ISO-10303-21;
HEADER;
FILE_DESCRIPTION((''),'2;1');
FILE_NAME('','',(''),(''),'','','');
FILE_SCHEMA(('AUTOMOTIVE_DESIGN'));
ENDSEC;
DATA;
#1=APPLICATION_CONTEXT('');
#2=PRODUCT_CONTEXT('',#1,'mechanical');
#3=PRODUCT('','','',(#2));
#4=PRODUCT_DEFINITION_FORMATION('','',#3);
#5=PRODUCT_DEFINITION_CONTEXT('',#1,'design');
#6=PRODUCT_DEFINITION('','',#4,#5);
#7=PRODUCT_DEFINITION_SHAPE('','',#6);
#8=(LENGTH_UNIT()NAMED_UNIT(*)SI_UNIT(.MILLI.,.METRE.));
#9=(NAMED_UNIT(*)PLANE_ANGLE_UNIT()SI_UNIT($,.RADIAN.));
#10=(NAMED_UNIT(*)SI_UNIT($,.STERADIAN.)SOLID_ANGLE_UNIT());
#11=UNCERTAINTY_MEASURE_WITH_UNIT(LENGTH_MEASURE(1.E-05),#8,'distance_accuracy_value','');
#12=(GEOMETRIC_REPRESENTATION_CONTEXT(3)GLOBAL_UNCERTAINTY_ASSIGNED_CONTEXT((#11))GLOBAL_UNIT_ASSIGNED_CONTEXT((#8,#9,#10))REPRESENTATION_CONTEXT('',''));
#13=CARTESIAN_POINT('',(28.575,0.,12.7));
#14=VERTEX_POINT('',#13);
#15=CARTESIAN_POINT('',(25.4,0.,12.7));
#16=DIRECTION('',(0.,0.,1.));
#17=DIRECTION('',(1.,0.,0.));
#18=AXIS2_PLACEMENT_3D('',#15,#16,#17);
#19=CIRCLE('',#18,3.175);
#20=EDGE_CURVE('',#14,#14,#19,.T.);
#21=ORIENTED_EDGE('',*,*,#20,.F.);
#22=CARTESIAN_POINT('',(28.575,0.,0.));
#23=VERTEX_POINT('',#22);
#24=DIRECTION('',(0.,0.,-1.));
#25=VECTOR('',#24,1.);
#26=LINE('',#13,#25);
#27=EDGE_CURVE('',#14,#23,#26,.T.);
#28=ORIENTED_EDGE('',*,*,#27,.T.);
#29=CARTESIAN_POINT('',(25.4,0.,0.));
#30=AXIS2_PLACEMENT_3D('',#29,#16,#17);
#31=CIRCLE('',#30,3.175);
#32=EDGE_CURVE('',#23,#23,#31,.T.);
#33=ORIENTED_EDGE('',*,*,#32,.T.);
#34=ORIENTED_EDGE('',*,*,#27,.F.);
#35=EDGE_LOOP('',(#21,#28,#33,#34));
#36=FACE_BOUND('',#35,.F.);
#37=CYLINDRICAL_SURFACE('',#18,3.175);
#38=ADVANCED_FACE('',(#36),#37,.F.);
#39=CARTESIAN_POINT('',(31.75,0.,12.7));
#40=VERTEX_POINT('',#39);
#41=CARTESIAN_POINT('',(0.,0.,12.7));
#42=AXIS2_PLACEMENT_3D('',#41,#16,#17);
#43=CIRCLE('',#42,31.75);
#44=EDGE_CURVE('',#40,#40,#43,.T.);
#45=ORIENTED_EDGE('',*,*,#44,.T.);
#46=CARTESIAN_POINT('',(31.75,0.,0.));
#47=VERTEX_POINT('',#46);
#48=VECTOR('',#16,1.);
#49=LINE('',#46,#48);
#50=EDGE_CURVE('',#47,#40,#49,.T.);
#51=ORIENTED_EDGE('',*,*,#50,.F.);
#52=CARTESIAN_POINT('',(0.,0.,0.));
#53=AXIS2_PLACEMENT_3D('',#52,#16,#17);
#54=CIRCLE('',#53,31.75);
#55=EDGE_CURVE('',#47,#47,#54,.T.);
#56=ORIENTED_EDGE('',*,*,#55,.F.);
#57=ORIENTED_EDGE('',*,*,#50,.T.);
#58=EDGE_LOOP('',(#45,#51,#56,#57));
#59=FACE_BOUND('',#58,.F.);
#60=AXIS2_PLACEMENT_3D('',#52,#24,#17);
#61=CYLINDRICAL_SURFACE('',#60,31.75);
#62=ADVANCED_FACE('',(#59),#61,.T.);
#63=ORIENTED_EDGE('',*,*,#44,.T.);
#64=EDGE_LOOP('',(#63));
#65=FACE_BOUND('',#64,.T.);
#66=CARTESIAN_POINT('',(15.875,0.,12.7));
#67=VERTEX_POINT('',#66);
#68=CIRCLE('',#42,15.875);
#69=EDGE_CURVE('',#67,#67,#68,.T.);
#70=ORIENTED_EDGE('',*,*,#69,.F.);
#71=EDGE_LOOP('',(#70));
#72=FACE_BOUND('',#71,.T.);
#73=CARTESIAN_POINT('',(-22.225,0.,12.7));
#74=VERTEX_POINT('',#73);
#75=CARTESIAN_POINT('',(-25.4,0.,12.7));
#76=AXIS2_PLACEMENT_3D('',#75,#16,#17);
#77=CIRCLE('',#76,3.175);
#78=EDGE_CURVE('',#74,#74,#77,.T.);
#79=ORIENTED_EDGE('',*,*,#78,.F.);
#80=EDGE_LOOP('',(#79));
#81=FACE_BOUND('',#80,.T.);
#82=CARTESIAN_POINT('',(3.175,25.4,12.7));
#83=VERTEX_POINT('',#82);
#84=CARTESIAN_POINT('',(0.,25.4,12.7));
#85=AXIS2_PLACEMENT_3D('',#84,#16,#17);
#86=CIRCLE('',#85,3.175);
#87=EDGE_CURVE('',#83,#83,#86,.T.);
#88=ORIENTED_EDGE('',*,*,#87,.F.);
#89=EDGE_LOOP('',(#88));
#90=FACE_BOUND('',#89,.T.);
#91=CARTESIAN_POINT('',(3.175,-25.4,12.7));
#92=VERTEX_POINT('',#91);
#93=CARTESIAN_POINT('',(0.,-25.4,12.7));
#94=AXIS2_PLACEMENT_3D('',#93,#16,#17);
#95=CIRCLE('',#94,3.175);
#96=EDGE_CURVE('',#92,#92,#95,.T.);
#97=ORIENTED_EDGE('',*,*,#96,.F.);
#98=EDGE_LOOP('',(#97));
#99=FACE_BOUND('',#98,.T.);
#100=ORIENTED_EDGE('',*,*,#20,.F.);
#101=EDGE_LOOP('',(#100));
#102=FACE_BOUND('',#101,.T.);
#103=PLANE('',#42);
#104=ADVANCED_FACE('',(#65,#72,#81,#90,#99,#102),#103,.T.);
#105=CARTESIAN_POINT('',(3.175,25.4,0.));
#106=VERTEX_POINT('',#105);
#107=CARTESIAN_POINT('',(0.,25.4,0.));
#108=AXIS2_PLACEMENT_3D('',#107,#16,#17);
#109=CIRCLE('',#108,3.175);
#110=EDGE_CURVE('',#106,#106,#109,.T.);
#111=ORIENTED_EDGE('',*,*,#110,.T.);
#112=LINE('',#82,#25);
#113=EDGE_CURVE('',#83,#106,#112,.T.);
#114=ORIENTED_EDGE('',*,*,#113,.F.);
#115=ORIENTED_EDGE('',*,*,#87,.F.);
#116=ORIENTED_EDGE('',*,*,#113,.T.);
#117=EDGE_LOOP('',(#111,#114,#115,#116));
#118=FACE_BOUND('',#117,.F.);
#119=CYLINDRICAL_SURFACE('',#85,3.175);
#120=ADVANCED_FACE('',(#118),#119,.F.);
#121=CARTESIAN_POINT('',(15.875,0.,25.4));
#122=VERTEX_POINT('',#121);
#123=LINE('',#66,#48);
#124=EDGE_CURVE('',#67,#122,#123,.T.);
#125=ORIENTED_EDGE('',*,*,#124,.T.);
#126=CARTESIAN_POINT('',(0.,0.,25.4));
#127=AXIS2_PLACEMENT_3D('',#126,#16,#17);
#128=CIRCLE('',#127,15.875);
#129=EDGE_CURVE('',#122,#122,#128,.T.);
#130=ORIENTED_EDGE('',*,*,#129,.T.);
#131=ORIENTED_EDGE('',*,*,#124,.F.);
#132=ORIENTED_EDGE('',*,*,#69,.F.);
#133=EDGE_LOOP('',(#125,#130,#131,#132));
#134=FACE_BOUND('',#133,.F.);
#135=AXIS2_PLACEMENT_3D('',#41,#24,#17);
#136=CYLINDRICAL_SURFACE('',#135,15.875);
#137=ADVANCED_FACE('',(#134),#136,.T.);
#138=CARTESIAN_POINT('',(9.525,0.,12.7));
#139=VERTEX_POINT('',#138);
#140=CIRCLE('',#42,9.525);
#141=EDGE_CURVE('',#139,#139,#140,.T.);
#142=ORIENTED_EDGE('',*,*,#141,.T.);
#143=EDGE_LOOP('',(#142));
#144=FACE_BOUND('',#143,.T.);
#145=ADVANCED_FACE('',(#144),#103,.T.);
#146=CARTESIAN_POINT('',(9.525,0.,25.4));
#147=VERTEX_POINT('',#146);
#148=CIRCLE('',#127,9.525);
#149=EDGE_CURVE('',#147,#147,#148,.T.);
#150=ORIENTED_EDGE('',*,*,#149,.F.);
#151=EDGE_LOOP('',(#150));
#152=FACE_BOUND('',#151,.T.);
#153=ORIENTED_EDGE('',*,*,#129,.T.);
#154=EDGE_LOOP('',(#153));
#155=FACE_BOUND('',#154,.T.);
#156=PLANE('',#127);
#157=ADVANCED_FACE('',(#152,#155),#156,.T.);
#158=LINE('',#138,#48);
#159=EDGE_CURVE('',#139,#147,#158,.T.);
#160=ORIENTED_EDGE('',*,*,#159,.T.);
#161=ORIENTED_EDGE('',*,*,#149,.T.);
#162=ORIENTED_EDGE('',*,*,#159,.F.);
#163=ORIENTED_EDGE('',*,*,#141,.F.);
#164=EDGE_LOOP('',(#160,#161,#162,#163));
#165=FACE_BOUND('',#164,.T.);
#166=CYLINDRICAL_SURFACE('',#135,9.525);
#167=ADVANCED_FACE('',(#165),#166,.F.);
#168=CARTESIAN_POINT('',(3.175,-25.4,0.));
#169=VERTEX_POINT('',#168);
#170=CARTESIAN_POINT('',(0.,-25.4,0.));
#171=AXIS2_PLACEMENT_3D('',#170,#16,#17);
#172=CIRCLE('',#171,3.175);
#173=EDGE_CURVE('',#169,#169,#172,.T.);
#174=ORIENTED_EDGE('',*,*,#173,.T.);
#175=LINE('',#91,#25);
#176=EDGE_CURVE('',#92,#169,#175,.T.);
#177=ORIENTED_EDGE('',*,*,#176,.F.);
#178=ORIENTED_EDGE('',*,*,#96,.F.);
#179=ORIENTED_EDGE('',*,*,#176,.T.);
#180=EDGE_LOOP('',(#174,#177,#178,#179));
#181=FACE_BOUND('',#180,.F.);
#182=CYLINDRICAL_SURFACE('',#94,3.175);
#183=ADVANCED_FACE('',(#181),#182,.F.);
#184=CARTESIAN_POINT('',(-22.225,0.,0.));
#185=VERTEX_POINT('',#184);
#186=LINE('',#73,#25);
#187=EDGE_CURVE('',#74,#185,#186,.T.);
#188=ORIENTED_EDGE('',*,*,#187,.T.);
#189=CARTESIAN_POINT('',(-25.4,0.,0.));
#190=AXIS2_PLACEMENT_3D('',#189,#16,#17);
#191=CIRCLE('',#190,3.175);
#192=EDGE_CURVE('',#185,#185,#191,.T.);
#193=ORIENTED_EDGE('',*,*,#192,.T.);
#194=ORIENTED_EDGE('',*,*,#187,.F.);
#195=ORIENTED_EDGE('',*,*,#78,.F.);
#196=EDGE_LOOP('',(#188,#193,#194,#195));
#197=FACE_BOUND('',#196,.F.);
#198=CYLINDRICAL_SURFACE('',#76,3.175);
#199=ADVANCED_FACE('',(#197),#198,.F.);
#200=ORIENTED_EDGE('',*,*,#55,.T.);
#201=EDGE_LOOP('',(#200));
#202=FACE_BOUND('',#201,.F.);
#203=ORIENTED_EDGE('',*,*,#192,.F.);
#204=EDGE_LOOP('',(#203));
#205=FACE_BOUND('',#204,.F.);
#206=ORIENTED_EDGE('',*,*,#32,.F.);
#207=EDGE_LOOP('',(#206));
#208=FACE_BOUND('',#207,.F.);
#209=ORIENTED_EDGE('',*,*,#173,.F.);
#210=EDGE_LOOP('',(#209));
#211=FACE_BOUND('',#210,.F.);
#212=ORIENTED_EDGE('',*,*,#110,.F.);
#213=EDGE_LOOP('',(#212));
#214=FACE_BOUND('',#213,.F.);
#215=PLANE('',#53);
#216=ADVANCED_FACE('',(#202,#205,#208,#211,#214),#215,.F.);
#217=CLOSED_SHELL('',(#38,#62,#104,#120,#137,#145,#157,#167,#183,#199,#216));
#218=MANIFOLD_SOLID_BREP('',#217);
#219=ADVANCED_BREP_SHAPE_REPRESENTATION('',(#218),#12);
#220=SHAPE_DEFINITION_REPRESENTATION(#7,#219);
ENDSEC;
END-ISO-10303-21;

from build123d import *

# Parameters (mm, degrees)
F0_R     = 31.75
F1_DEPTH = 12.7
F2_R     = 3.175
F3_DEPTH = 12.701
F2_R_2   = 15.875
F2_R_3   = 9.525
F4_DEPTH = 12.7


with BuildPart() as f1:
    # F0 (on Top) → F1 (new body)
    with BuildSketch(Plane.XY):
        Circle(F0_R)
    extrude(amount=F1_DEPTH)

    # F2 (on face) → F3 (cut, through all)
    with BuildSketch(Plane.XY.offset(12.7)):
        with Locations((-25.4, 0)):
            Circle(F2_R)
        with Locations((0, -25.4)):
            Circle(F2_R)
        with Locations((25.4, 0)):
            Circle(F2_R)
        with Locations((0, 25.4)):
            Circle(F2_R)
    extrude(amount=-F3_DEPTH, mode=Mode.SUBTRACT)

    # F2 (on face) → F4 (join)
    with BuildSketch(Plane.XY.offset(12.7)):
        Circle(F2_R_2)
        Circle(F2_R_3, mode=Mode.SUBTRACT)
    extrude(amount=F4_DEPTH)


solid = f1.part
